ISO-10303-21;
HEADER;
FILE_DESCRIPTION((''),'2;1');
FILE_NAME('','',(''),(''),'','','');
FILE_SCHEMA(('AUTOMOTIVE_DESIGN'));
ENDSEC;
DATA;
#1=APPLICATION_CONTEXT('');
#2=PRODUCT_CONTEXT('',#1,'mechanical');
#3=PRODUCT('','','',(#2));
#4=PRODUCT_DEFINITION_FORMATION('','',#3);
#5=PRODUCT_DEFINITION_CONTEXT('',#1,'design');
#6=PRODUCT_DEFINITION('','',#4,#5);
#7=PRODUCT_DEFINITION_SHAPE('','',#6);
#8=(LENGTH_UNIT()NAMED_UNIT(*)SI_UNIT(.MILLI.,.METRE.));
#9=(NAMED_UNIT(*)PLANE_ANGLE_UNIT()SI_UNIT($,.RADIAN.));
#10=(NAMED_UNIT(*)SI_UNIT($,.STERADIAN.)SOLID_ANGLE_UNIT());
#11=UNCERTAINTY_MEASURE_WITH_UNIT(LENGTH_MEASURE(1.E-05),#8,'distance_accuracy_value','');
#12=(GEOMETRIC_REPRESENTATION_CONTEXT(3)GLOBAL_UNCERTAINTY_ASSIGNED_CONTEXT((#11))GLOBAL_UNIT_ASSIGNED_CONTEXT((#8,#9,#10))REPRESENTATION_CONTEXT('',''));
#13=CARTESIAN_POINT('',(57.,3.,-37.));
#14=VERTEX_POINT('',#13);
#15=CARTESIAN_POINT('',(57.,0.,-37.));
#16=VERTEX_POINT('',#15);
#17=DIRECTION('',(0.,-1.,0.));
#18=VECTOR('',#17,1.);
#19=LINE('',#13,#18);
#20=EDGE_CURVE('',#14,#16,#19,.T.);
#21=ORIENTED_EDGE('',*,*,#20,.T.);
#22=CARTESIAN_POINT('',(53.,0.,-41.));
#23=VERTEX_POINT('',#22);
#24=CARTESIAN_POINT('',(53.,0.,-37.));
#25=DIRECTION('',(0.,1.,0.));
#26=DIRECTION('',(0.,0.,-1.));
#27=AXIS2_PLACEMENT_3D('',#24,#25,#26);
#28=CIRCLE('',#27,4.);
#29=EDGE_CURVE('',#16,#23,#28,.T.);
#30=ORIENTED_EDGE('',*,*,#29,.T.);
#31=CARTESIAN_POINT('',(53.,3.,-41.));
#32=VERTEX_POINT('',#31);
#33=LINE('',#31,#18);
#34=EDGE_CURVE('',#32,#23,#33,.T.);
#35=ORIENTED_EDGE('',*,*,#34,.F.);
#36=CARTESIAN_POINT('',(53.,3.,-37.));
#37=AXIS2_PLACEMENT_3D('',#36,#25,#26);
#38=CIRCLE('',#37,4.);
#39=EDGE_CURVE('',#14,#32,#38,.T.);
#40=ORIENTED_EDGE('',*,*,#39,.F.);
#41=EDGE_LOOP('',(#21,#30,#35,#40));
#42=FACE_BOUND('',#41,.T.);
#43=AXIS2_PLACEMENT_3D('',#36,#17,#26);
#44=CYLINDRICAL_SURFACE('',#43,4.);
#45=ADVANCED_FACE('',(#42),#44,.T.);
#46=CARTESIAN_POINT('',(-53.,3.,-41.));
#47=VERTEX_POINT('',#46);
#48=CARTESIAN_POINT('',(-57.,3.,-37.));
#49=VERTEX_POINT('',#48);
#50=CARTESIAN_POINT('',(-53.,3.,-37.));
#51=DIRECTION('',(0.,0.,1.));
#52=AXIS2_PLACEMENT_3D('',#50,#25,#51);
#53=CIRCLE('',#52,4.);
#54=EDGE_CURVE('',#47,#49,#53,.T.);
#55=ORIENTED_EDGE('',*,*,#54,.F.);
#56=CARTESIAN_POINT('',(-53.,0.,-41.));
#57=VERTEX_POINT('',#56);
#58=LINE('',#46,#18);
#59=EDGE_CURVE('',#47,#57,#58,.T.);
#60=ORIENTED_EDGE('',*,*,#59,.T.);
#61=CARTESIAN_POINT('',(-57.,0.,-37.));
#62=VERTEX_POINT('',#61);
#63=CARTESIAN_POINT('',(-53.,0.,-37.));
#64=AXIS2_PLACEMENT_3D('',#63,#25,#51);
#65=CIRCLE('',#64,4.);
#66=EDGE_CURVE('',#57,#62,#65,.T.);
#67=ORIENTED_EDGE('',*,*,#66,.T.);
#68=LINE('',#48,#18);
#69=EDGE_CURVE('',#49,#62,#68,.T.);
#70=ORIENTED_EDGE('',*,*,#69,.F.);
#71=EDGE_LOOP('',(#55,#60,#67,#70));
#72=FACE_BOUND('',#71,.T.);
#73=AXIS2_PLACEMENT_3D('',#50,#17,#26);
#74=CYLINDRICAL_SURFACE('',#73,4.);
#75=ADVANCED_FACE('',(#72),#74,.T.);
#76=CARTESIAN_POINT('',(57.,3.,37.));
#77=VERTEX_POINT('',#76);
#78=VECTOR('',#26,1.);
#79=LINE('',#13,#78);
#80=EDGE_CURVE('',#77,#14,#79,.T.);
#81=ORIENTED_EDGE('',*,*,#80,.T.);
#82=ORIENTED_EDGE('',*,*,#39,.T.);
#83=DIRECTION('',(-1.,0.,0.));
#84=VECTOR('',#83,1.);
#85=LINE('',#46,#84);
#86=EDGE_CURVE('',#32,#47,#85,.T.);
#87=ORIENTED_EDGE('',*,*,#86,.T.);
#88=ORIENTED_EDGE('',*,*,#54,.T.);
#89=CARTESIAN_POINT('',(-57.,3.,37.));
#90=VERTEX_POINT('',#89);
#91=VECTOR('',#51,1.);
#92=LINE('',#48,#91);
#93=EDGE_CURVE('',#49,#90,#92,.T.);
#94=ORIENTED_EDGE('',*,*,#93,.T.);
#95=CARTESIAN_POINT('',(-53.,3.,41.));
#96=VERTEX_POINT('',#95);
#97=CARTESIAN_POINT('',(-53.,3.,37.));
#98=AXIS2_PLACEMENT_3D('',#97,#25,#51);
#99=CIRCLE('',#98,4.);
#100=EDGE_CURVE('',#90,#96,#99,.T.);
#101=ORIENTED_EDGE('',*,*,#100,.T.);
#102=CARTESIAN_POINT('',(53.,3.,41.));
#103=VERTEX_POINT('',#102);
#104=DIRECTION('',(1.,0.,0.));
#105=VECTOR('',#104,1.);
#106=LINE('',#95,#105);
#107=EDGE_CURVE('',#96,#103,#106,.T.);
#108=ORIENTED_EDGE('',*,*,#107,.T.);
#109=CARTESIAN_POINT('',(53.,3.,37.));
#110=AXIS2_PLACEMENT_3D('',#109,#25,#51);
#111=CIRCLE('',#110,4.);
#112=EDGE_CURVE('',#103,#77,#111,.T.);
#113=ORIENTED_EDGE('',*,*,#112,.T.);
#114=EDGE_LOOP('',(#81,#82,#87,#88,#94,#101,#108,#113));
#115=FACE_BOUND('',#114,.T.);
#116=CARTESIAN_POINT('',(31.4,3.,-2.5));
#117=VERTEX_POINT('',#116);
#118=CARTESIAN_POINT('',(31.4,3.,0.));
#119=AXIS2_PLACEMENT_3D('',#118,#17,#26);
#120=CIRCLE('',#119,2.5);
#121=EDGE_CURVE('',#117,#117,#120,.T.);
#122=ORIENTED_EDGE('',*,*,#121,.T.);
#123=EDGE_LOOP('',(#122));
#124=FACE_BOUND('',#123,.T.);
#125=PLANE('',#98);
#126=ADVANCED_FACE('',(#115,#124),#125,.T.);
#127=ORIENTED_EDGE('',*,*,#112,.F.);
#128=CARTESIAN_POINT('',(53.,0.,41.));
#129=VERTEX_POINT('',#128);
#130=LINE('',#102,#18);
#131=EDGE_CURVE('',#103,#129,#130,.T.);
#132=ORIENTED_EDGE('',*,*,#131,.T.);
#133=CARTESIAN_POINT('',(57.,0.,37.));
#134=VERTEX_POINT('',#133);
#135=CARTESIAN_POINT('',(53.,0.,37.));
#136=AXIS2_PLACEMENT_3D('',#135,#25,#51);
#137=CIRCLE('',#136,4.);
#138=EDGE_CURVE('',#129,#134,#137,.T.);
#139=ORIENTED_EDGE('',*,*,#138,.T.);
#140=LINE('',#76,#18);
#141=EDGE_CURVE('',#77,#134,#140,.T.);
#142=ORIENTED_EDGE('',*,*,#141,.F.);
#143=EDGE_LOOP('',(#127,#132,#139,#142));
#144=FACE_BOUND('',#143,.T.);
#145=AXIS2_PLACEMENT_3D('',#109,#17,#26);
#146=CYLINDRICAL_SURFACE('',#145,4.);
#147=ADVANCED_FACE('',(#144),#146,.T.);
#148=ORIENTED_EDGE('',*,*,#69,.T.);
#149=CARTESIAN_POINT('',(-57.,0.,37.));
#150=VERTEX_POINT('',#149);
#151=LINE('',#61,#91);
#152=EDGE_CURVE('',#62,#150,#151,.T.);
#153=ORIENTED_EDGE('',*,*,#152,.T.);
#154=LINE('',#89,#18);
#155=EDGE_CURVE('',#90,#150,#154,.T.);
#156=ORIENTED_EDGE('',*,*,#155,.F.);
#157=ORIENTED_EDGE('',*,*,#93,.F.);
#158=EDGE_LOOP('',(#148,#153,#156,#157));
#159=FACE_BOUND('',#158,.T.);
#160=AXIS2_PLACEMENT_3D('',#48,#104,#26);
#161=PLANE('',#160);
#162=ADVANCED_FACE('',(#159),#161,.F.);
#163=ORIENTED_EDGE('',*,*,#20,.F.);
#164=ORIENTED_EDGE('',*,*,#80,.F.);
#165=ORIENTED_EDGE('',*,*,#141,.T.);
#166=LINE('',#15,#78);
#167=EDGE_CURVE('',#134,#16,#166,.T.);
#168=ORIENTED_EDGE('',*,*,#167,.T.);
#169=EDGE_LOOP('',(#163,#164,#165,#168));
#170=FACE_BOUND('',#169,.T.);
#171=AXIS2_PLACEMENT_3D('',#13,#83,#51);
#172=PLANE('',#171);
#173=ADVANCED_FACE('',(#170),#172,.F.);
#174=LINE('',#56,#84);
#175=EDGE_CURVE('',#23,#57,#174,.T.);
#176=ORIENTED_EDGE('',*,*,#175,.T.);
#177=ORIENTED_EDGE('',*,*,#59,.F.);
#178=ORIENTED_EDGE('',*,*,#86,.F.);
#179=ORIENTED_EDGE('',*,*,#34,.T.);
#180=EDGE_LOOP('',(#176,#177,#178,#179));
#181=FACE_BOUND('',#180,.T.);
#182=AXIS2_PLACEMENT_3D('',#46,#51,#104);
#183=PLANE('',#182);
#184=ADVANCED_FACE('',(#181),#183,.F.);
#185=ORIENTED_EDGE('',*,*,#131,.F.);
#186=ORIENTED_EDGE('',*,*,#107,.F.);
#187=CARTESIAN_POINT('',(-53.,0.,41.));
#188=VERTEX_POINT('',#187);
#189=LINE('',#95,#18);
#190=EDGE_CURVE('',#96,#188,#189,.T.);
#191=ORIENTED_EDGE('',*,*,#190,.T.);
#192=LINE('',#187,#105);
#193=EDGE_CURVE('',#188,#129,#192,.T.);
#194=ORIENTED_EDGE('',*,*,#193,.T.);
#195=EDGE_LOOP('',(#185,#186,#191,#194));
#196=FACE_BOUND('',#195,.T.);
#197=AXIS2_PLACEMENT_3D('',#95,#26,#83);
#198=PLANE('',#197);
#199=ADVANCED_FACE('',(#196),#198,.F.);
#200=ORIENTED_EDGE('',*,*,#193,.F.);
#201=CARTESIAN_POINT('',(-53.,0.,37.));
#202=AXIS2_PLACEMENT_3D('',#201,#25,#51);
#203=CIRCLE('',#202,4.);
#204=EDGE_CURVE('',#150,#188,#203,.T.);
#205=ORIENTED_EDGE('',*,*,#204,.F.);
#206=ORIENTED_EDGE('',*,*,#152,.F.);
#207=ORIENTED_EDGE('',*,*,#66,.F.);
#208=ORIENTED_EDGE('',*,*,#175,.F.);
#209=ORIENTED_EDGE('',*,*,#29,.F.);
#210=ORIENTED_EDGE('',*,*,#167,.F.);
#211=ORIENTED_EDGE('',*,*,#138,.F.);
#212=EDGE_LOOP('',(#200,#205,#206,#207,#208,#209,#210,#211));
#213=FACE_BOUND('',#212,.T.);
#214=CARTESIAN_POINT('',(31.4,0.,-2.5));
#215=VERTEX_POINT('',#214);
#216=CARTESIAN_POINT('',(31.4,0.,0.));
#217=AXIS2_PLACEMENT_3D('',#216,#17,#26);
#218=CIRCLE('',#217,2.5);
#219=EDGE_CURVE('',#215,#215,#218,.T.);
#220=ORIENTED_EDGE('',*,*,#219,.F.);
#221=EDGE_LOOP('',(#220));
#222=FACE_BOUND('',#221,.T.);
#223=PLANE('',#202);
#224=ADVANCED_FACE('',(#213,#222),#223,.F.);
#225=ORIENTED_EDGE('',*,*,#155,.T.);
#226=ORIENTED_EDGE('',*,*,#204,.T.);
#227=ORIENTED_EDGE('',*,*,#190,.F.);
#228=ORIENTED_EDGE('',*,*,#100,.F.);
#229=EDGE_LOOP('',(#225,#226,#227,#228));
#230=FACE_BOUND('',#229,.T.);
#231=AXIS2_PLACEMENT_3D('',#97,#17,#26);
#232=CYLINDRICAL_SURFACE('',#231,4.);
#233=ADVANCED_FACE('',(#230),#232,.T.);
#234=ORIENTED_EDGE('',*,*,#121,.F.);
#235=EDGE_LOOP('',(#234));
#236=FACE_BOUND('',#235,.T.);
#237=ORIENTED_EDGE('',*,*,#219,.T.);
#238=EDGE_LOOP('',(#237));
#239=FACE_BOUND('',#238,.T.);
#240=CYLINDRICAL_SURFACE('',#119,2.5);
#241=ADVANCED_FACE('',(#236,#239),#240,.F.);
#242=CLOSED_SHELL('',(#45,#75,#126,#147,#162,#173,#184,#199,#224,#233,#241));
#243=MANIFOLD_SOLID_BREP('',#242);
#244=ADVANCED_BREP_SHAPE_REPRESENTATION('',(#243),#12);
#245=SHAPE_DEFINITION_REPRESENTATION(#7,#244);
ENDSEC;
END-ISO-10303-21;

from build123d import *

# Parameters (mm, degrees)
BOSS_EXTRUDE1_DEPTH = 3
SKETCH2_R           = 2.5
CUT_EXTRUDE1_DEPTH  = 3


with BuildPart() as part:
    # Sketch1 → Boss-Extrude1 (new body)
    with BuildSketch(Plane(origin=(0, 0, 0), x_dir=(1, 0, 0), z_dir=(0, 1, 0))):
        with BuildLine():
            Line((-53, 41), (53, 41))
            ThreePointArc((53, 41), (55.828427125, 39.828427125), (57, 37))
            Line((57, 37), (57, -37))
            ThreePointArc((57, -37), (55.828427125, -39.828427125), (53, -41))
            Line((53, -41), (-53, -41))
            ThreePointArc((-53, -41), (-55.828427125, -39.828427125), (-57, -37))
            Line((-57, -37), (-57, 37))
            ThreePointArc((-57, 37), (-55.828427125, 39.828427125), (-53, 41))
        make_face()
    extrude(amount=BOSS_EXTRUDE1_DEPTH)

    # Sketch2 → Cut-Extrude1 (cut)
    with BuildSketch(Plane.XZ):
        with Locations(Location((31.4, 0, 0), (0, 0, 270))):
            Circle(SKETCH2_R)
    extrude(amount=-CUT_EXTRUDE1_DEPTH, mode=Mode.SUBTRACT)


solid = part.part
